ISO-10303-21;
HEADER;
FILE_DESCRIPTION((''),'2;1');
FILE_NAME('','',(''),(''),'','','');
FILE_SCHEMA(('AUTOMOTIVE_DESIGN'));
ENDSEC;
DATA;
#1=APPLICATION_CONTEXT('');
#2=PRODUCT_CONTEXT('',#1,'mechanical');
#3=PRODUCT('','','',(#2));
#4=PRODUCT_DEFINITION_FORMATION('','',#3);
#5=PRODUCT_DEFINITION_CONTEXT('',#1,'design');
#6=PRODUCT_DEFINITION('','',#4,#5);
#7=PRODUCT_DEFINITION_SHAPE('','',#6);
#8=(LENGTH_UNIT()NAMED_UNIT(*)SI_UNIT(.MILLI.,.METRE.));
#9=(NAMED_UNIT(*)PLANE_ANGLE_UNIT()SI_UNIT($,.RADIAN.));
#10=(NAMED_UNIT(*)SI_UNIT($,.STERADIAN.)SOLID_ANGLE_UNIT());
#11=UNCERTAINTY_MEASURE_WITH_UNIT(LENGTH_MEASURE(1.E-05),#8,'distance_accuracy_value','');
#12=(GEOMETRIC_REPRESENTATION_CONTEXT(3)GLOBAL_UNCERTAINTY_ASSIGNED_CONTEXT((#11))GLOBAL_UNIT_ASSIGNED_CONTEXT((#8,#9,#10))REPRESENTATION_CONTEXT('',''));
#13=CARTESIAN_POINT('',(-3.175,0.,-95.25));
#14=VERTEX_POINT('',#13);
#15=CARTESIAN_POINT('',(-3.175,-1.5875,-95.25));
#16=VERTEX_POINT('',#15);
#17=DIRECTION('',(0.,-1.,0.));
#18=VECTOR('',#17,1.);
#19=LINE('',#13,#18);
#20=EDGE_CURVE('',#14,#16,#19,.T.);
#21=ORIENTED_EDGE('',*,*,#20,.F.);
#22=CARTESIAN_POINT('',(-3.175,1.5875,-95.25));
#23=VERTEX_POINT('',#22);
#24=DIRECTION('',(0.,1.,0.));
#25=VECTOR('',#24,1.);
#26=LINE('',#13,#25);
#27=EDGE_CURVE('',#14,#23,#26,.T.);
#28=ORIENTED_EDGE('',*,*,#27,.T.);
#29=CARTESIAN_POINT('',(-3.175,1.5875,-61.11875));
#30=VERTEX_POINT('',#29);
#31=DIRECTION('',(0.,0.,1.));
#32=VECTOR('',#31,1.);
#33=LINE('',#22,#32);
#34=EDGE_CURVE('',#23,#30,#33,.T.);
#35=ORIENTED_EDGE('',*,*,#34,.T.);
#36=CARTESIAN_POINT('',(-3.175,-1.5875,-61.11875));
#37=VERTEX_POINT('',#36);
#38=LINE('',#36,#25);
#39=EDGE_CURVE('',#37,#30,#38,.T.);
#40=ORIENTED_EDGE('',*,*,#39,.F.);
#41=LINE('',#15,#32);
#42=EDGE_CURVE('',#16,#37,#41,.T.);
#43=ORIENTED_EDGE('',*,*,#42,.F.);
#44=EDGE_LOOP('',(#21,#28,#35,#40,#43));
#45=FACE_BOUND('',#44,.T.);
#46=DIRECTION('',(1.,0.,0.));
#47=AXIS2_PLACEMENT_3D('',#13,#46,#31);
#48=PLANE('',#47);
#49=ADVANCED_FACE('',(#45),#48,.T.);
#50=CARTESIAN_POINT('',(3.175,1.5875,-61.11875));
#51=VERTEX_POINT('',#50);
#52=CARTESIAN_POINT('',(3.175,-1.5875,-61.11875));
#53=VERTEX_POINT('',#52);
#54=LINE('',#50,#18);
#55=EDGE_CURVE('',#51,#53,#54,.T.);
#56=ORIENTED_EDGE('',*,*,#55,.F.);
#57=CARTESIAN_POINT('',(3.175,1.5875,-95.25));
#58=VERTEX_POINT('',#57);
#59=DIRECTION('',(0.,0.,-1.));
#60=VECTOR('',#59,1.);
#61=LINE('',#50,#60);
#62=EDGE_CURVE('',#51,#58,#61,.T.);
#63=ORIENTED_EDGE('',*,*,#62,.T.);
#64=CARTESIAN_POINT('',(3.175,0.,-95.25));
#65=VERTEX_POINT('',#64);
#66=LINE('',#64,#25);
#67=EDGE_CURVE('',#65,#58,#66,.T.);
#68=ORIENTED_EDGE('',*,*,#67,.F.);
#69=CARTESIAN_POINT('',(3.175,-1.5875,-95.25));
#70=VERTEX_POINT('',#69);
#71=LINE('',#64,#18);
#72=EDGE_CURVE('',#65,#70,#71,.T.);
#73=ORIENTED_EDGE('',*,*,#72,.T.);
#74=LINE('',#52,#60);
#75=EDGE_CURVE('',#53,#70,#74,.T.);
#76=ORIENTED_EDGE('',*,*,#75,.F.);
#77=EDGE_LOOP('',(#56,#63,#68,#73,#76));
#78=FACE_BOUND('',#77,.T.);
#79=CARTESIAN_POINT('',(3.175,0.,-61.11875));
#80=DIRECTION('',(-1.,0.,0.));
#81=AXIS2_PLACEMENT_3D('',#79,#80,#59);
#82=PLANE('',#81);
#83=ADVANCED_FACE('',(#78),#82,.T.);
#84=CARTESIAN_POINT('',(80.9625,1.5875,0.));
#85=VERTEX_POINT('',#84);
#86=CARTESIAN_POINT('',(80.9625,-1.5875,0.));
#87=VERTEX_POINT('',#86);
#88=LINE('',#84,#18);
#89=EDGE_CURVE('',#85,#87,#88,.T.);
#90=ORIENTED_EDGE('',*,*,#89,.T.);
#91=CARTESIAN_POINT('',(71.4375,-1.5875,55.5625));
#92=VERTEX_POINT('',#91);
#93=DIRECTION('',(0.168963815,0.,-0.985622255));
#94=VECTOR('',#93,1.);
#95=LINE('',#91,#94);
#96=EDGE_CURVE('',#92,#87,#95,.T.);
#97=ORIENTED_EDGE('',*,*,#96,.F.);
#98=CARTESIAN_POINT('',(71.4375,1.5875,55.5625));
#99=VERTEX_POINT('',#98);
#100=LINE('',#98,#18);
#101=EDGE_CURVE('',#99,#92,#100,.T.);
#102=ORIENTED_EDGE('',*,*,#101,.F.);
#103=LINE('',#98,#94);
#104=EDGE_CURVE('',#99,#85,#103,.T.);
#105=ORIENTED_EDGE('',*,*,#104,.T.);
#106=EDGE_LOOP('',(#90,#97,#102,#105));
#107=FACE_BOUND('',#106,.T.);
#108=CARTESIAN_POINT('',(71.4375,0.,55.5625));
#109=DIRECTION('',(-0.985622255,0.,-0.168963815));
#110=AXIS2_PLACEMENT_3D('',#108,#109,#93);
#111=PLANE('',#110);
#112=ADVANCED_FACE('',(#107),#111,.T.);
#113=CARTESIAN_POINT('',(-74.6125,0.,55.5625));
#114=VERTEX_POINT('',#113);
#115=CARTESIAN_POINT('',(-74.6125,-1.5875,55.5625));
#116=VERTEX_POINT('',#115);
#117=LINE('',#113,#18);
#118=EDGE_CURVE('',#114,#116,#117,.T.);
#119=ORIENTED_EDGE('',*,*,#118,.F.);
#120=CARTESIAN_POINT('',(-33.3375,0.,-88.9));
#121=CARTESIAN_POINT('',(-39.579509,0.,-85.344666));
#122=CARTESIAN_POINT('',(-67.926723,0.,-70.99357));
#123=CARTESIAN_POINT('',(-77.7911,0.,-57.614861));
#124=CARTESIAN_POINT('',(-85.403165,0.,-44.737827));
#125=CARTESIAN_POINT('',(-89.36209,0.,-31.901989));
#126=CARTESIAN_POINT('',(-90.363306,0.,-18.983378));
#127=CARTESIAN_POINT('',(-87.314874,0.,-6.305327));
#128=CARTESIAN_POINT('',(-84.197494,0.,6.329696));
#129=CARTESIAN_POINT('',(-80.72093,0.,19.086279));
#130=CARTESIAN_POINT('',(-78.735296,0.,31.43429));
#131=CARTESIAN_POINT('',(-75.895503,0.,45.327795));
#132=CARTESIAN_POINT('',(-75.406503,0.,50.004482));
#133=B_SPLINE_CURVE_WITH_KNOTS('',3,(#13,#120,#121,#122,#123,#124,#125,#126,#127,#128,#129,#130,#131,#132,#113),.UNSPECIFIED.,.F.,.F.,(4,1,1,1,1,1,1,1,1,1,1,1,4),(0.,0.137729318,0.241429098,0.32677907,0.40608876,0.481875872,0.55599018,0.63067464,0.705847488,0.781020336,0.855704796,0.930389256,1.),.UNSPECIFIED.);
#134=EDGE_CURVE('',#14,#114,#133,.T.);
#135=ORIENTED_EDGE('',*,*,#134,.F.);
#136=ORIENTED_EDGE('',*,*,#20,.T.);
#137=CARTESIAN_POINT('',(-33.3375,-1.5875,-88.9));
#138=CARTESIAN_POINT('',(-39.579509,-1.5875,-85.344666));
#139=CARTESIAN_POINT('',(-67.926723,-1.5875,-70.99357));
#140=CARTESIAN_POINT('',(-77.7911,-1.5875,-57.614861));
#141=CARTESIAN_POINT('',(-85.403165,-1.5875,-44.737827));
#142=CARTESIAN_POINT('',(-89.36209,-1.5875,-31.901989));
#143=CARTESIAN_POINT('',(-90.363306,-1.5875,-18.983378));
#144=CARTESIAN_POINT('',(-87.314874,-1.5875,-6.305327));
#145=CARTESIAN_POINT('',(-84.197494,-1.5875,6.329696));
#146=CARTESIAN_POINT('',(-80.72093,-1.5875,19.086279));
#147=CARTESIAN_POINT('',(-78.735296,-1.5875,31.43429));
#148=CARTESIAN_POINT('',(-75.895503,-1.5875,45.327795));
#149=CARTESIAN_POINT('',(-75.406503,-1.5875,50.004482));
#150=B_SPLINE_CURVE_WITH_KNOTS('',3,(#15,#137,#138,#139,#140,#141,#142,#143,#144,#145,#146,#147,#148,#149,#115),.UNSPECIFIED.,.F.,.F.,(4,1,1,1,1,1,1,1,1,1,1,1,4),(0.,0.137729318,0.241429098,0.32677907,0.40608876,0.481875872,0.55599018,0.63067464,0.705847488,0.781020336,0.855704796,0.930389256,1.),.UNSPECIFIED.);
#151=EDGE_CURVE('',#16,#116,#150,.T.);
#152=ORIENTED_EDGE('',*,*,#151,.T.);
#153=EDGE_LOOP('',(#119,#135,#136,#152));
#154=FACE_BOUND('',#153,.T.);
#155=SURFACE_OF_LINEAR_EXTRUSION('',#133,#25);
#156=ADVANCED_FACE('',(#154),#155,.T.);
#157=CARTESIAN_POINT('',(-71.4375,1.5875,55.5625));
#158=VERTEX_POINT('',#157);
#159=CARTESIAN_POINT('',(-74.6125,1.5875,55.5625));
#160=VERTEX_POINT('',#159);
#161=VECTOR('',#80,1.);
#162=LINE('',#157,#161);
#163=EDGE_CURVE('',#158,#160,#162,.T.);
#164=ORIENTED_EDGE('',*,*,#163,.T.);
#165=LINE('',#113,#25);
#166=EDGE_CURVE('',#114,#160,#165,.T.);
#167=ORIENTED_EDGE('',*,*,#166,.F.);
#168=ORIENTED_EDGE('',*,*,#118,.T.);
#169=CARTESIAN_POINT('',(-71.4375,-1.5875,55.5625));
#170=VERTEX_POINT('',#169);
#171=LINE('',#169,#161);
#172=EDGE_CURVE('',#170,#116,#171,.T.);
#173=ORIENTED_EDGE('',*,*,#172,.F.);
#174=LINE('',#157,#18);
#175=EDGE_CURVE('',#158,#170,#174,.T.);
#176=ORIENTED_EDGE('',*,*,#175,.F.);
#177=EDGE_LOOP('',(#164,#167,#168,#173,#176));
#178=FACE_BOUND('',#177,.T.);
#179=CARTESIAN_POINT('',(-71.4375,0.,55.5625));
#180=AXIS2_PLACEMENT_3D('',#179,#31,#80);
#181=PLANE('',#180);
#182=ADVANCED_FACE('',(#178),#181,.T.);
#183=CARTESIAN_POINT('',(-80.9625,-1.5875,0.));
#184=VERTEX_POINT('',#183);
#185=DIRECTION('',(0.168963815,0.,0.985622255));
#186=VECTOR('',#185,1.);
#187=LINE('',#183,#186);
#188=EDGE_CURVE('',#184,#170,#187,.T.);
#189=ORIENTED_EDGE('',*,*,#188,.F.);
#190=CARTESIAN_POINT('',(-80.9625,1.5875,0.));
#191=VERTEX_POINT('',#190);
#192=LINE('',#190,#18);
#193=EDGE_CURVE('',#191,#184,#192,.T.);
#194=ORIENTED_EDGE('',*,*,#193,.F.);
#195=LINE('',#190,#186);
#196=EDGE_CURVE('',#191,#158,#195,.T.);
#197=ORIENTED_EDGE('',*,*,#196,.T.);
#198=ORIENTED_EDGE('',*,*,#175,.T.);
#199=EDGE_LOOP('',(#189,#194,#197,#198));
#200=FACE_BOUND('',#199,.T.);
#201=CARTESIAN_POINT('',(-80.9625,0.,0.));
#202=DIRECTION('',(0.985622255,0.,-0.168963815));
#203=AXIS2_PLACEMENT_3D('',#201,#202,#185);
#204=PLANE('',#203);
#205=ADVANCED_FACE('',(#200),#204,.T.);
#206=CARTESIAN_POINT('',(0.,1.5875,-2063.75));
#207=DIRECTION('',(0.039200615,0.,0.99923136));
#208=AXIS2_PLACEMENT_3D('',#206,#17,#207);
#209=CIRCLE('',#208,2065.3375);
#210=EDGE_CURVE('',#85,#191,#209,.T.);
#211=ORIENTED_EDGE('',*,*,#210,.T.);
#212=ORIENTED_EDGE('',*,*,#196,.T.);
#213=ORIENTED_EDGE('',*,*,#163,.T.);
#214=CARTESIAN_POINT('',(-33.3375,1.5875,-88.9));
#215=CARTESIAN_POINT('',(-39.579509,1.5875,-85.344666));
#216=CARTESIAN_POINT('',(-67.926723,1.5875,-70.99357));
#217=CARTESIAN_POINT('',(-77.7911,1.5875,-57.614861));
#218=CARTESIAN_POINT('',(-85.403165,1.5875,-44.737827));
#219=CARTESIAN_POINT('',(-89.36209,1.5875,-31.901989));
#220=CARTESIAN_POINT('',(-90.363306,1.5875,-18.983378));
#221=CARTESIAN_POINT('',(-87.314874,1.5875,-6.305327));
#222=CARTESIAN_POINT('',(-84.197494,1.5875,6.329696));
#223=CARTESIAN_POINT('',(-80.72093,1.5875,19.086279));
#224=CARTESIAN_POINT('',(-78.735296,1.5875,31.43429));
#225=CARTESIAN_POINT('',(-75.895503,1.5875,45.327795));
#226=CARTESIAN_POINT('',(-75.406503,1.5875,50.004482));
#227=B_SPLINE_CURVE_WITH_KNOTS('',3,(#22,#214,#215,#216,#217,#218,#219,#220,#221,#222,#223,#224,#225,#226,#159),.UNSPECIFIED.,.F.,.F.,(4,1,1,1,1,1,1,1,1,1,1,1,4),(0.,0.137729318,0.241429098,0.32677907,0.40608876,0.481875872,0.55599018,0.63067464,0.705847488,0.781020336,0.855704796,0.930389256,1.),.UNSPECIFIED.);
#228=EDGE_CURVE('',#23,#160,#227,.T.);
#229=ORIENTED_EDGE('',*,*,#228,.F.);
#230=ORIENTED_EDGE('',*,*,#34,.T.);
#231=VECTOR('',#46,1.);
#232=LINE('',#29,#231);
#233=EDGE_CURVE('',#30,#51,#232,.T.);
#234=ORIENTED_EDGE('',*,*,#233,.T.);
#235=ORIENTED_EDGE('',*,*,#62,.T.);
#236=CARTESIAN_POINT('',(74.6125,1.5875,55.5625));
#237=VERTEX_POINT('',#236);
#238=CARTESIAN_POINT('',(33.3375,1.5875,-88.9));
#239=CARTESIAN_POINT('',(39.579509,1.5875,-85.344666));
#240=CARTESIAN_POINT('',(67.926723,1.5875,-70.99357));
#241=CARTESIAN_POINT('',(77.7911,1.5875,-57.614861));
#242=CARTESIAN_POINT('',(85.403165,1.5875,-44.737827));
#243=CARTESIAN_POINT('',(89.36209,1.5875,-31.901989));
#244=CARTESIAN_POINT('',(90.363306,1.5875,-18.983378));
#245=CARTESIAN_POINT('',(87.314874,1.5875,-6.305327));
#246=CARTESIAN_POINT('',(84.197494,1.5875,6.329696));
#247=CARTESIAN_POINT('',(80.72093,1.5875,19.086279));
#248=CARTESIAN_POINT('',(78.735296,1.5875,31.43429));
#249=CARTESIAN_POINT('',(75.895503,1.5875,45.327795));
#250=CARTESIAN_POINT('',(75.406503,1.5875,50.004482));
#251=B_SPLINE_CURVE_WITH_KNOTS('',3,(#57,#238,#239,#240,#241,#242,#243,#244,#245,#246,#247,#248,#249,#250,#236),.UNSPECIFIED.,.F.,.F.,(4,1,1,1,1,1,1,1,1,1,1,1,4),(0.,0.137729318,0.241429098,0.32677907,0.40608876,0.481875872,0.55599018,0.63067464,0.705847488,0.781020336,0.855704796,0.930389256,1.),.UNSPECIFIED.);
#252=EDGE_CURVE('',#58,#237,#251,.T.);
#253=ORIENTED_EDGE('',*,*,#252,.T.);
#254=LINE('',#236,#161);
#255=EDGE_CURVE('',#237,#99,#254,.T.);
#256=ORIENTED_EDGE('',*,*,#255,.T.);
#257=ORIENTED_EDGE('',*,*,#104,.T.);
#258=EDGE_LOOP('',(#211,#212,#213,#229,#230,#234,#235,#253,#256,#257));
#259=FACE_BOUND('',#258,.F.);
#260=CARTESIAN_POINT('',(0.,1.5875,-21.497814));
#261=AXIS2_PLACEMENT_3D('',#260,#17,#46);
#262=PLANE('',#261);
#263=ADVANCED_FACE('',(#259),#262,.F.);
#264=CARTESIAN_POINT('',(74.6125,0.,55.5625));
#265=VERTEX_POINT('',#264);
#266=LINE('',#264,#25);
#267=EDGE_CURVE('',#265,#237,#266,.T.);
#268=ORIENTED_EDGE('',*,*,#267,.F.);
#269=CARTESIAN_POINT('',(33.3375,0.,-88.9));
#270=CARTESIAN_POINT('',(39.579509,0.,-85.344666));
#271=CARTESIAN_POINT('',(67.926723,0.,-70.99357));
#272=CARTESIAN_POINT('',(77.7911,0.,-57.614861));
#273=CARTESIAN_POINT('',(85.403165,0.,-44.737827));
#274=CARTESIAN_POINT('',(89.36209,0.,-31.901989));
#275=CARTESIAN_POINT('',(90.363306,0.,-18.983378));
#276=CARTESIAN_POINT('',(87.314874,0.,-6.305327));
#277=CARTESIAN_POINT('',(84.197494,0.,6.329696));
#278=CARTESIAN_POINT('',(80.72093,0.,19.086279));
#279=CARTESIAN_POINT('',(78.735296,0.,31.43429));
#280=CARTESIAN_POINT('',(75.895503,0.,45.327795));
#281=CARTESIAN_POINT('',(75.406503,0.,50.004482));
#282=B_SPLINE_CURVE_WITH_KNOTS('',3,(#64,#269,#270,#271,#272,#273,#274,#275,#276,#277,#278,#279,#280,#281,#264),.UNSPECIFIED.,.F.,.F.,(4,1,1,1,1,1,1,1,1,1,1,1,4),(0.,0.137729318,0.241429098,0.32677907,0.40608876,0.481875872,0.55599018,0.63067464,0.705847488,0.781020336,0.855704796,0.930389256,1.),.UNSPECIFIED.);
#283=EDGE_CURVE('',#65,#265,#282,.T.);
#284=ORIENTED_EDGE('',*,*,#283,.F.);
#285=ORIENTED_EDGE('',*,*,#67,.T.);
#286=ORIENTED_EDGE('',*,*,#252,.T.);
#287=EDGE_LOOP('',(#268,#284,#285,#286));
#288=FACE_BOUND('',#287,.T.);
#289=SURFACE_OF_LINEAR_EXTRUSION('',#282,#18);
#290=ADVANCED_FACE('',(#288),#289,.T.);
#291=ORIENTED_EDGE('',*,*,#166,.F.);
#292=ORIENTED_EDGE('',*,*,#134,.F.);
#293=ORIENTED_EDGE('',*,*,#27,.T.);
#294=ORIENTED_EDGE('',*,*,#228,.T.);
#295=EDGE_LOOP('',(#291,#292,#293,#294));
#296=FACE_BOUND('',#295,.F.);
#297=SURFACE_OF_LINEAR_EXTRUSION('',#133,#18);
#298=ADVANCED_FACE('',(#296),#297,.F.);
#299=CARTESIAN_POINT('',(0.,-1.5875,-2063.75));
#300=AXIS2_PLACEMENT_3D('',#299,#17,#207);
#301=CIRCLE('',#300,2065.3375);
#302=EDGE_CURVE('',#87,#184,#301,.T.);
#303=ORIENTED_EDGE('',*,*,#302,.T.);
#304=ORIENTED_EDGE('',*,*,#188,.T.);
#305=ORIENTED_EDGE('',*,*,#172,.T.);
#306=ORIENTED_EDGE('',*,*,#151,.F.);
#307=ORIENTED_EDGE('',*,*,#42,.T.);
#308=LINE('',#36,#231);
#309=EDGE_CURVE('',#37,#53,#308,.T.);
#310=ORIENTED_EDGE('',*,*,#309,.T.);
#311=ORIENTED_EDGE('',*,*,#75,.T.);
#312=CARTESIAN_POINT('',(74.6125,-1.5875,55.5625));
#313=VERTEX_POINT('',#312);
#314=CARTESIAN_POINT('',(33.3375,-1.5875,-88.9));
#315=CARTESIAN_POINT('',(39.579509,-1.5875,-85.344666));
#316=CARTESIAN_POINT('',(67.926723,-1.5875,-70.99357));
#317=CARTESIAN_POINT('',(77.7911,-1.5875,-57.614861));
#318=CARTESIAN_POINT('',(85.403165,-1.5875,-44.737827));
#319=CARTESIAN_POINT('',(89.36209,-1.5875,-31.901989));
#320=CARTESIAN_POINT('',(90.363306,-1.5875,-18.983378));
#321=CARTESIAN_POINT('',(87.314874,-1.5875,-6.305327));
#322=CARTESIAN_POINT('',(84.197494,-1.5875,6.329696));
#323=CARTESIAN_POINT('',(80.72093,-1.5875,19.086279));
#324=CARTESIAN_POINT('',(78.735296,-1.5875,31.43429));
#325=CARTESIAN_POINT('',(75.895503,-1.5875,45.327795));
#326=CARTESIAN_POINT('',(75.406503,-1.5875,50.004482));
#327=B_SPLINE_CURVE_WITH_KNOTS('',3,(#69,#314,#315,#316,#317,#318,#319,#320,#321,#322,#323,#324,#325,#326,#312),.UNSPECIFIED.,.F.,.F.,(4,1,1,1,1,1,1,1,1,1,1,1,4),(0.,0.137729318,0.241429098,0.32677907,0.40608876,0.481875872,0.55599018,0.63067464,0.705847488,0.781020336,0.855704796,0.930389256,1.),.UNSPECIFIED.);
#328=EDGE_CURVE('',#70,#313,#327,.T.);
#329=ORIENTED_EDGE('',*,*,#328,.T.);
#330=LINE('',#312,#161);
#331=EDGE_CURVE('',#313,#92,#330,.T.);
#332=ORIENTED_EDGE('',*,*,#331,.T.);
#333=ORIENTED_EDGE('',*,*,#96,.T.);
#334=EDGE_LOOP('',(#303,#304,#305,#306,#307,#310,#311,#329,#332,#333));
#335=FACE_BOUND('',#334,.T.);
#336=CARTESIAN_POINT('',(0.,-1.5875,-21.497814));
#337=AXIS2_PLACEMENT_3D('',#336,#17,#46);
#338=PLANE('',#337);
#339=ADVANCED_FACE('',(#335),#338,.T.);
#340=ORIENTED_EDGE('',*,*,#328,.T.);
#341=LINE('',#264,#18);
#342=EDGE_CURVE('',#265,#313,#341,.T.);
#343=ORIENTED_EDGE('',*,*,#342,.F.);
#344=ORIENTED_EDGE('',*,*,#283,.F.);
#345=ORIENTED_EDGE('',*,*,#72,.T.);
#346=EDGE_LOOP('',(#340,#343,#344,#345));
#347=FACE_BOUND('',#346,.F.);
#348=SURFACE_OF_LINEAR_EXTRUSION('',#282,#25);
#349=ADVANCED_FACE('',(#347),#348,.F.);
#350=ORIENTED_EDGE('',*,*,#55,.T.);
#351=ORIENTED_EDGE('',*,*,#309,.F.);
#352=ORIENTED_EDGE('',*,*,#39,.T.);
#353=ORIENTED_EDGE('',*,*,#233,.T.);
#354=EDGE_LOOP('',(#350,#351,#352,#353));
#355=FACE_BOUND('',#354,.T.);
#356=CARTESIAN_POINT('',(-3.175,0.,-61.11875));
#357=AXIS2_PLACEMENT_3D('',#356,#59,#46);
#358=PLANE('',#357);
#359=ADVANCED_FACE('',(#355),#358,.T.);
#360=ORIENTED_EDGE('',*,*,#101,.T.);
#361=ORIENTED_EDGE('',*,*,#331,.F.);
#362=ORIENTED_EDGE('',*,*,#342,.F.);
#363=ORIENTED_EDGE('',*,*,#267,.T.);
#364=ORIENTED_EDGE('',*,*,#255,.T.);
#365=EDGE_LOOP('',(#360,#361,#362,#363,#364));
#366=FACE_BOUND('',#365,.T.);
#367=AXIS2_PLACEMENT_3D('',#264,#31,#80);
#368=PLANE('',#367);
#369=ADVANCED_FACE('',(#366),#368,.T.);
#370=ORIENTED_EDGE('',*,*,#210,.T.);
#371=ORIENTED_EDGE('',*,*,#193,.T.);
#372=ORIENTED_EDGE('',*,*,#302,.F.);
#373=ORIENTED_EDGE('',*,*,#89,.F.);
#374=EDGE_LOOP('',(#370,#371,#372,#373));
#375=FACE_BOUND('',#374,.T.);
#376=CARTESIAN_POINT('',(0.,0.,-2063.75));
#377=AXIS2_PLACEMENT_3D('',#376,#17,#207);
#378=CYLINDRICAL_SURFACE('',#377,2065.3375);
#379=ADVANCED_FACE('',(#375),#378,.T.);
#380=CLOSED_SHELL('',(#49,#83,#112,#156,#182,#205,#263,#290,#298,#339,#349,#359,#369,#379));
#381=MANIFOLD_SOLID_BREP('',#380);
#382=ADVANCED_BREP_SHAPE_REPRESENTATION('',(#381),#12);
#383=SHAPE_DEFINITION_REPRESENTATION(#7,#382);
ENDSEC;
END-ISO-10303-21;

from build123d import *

# Parameters (mm, degrees)
F1_DEPTH = 1.5875


with BuildPart() as f1:
    # F0 (on Front) → F1 (new body, symmetric)
    with BuildSketch(Plane.XZ):
        with BuildLine():
            Line((-3.175, -61.11875), (0, -61.11875))
            Line((0, -61.11875), (3.175, -61.11875))
            Line((3.175, -61.11875), (3.175, -95.25))
            add(Edge.make_bspline(
                [(3.175, -95.25), (33.3375, -88.9), (39.5795085613, -85.3446662101), (67.9267228013, -70.9935703615), (77.7911004891, -57.6148606194), (85.4031652314, -44.7378270811), (89.3620904677, -31.9019888836), (90.3633064562, -18.9833784515), (87.3148735202, -6.3053265238), (84.1974940955, 6.329695869), (80.7209296449, 19.0862792212), (78.7352958966, 31.4342896627), (75.8955030499, 45.3277948902), (75.4065025295, 50.0044822935), (74.6125, 55.5625)],
                knots=[0, 0, 0, 0, 0.1377293179, 0.2414290978, 0.3267790704, 0.4060887604, 0.4818758722, 0.5559901802, 0.6306746402, 0.705847488, 0.7810203358, 0.8557047959, 0.9303892559, 1, 1, 1, 1], degree=3))
            Line((74.6125, 55.5625), (71.4375, 55.5625))
            Line((71.4375, 55.5625), (80.9625, 0))
            ThreePointArc((80.9625, 0), (0, 1.5875), (-80.9625, 0))
            Line((-80.9625, 0), (-71.4375, 55.5625))
            Line((-71.4375, 55.5625), (-74.6125, 55.5625))
            add(Edge.make_bspline(
                [(-3.175, -95.25), (-33.3375, -88.9), (-39.5795085613, -85.3446662101), (-67.9267228013, -70.9935703615), (-77.7911004891, -57.6148606194), (-85.4031652314, -44.7378270811), (-89.3620904677, -31.9019888836), (-90.3633064562, -18.9833784515), (-87.3148735202, -6.3053265238), (-84.1974940955, 6.329695869), (-80.7209296449, 19.0862792212), (-78.7352958966, 31.4342896627), (-75.8955030499, 45.3277948902), (-75.4065025295, 50.0044822935), (-74.6125, 55.5625)],
                knots=[0, 0, 0, 0, 0.1377293179, 0.2414290978, 0.3267790704, 0.4060887604, 0.4818758722, 0.5559901802, 0.6306746402, 0.705847488, 0.7810203358, 0.8557047959, 0.9303892559, 1, 1, 1, 1], degree=3))
            Line((-3.175, -95.25), (-3.175, -61.11875))
        make_face()
    extrude(amount=F1_DEPTH, both=True)


solid = f1.part
